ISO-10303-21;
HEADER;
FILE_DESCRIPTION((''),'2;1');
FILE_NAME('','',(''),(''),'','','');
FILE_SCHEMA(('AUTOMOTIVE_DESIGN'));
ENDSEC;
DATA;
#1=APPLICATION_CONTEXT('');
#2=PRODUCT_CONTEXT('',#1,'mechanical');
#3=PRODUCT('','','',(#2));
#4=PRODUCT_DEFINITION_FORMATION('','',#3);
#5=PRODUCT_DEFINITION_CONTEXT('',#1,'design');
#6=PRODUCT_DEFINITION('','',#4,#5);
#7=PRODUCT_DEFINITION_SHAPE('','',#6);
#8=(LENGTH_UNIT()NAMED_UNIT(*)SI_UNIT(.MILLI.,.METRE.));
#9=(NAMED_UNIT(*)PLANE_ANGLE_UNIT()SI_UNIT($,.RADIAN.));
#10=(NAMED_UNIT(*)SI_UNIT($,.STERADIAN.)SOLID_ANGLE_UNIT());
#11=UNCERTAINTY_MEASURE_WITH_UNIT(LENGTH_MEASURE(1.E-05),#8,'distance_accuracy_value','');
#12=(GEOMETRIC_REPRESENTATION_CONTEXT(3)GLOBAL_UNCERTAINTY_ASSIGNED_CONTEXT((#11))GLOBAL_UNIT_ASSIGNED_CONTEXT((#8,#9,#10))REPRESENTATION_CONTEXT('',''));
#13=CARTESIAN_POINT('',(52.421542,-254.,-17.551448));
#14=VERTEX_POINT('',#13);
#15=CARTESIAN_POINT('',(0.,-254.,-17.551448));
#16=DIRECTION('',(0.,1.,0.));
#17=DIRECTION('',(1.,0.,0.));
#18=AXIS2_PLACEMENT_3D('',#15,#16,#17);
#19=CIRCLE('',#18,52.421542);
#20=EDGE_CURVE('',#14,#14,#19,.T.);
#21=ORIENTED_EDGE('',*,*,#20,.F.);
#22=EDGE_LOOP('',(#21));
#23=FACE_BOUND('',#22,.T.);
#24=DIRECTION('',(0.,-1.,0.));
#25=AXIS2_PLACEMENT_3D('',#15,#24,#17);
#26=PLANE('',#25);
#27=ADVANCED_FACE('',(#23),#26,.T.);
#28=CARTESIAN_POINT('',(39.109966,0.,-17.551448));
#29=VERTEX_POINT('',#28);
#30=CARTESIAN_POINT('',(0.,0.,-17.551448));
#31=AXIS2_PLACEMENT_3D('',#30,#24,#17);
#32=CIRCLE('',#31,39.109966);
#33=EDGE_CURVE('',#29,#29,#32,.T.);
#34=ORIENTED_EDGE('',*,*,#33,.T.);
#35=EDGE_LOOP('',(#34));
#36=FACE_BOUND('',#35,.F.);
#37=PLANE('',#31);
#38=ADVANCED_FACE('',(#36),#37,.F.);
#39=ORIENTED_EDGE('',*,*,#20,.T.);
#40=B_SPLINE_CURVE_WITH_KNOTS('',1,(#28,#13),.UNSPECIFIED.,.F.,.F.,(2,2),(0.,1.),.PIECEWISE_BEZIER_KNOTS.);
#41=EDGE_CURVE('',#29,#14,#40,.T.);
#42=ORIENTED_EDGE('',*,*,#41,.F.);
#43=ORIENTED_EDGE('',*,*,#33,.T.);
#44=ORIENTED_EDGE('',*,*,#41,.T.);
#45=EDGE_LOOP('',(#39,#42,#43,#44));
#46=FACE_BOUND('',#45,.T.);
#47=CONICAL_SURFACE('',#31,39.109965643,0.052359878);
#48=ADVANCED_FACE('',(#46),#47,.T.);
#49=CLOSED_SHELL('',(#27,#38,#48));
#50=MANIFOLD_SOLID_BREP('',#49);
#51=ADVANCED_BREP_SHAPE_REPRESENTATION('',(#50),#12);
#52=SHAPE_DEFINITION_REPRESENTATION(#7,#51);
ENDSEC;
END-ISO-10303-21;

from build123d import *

# Parameters (mm, degrees)
F0_R     = 39.1099656431
F1_DEPTH = 254
F1_TAPER = -3


with BuildPart() as f1:
    # F0 (on Front) → F1 (new body)
    with BuildSketch(Plane.XZ):
        with Locations((0, -17.5514481962)):
            Circle(F0_R)
    extrude(amount=F1_DEPTH, taper=F1_TAPER)


solid = f1.part
